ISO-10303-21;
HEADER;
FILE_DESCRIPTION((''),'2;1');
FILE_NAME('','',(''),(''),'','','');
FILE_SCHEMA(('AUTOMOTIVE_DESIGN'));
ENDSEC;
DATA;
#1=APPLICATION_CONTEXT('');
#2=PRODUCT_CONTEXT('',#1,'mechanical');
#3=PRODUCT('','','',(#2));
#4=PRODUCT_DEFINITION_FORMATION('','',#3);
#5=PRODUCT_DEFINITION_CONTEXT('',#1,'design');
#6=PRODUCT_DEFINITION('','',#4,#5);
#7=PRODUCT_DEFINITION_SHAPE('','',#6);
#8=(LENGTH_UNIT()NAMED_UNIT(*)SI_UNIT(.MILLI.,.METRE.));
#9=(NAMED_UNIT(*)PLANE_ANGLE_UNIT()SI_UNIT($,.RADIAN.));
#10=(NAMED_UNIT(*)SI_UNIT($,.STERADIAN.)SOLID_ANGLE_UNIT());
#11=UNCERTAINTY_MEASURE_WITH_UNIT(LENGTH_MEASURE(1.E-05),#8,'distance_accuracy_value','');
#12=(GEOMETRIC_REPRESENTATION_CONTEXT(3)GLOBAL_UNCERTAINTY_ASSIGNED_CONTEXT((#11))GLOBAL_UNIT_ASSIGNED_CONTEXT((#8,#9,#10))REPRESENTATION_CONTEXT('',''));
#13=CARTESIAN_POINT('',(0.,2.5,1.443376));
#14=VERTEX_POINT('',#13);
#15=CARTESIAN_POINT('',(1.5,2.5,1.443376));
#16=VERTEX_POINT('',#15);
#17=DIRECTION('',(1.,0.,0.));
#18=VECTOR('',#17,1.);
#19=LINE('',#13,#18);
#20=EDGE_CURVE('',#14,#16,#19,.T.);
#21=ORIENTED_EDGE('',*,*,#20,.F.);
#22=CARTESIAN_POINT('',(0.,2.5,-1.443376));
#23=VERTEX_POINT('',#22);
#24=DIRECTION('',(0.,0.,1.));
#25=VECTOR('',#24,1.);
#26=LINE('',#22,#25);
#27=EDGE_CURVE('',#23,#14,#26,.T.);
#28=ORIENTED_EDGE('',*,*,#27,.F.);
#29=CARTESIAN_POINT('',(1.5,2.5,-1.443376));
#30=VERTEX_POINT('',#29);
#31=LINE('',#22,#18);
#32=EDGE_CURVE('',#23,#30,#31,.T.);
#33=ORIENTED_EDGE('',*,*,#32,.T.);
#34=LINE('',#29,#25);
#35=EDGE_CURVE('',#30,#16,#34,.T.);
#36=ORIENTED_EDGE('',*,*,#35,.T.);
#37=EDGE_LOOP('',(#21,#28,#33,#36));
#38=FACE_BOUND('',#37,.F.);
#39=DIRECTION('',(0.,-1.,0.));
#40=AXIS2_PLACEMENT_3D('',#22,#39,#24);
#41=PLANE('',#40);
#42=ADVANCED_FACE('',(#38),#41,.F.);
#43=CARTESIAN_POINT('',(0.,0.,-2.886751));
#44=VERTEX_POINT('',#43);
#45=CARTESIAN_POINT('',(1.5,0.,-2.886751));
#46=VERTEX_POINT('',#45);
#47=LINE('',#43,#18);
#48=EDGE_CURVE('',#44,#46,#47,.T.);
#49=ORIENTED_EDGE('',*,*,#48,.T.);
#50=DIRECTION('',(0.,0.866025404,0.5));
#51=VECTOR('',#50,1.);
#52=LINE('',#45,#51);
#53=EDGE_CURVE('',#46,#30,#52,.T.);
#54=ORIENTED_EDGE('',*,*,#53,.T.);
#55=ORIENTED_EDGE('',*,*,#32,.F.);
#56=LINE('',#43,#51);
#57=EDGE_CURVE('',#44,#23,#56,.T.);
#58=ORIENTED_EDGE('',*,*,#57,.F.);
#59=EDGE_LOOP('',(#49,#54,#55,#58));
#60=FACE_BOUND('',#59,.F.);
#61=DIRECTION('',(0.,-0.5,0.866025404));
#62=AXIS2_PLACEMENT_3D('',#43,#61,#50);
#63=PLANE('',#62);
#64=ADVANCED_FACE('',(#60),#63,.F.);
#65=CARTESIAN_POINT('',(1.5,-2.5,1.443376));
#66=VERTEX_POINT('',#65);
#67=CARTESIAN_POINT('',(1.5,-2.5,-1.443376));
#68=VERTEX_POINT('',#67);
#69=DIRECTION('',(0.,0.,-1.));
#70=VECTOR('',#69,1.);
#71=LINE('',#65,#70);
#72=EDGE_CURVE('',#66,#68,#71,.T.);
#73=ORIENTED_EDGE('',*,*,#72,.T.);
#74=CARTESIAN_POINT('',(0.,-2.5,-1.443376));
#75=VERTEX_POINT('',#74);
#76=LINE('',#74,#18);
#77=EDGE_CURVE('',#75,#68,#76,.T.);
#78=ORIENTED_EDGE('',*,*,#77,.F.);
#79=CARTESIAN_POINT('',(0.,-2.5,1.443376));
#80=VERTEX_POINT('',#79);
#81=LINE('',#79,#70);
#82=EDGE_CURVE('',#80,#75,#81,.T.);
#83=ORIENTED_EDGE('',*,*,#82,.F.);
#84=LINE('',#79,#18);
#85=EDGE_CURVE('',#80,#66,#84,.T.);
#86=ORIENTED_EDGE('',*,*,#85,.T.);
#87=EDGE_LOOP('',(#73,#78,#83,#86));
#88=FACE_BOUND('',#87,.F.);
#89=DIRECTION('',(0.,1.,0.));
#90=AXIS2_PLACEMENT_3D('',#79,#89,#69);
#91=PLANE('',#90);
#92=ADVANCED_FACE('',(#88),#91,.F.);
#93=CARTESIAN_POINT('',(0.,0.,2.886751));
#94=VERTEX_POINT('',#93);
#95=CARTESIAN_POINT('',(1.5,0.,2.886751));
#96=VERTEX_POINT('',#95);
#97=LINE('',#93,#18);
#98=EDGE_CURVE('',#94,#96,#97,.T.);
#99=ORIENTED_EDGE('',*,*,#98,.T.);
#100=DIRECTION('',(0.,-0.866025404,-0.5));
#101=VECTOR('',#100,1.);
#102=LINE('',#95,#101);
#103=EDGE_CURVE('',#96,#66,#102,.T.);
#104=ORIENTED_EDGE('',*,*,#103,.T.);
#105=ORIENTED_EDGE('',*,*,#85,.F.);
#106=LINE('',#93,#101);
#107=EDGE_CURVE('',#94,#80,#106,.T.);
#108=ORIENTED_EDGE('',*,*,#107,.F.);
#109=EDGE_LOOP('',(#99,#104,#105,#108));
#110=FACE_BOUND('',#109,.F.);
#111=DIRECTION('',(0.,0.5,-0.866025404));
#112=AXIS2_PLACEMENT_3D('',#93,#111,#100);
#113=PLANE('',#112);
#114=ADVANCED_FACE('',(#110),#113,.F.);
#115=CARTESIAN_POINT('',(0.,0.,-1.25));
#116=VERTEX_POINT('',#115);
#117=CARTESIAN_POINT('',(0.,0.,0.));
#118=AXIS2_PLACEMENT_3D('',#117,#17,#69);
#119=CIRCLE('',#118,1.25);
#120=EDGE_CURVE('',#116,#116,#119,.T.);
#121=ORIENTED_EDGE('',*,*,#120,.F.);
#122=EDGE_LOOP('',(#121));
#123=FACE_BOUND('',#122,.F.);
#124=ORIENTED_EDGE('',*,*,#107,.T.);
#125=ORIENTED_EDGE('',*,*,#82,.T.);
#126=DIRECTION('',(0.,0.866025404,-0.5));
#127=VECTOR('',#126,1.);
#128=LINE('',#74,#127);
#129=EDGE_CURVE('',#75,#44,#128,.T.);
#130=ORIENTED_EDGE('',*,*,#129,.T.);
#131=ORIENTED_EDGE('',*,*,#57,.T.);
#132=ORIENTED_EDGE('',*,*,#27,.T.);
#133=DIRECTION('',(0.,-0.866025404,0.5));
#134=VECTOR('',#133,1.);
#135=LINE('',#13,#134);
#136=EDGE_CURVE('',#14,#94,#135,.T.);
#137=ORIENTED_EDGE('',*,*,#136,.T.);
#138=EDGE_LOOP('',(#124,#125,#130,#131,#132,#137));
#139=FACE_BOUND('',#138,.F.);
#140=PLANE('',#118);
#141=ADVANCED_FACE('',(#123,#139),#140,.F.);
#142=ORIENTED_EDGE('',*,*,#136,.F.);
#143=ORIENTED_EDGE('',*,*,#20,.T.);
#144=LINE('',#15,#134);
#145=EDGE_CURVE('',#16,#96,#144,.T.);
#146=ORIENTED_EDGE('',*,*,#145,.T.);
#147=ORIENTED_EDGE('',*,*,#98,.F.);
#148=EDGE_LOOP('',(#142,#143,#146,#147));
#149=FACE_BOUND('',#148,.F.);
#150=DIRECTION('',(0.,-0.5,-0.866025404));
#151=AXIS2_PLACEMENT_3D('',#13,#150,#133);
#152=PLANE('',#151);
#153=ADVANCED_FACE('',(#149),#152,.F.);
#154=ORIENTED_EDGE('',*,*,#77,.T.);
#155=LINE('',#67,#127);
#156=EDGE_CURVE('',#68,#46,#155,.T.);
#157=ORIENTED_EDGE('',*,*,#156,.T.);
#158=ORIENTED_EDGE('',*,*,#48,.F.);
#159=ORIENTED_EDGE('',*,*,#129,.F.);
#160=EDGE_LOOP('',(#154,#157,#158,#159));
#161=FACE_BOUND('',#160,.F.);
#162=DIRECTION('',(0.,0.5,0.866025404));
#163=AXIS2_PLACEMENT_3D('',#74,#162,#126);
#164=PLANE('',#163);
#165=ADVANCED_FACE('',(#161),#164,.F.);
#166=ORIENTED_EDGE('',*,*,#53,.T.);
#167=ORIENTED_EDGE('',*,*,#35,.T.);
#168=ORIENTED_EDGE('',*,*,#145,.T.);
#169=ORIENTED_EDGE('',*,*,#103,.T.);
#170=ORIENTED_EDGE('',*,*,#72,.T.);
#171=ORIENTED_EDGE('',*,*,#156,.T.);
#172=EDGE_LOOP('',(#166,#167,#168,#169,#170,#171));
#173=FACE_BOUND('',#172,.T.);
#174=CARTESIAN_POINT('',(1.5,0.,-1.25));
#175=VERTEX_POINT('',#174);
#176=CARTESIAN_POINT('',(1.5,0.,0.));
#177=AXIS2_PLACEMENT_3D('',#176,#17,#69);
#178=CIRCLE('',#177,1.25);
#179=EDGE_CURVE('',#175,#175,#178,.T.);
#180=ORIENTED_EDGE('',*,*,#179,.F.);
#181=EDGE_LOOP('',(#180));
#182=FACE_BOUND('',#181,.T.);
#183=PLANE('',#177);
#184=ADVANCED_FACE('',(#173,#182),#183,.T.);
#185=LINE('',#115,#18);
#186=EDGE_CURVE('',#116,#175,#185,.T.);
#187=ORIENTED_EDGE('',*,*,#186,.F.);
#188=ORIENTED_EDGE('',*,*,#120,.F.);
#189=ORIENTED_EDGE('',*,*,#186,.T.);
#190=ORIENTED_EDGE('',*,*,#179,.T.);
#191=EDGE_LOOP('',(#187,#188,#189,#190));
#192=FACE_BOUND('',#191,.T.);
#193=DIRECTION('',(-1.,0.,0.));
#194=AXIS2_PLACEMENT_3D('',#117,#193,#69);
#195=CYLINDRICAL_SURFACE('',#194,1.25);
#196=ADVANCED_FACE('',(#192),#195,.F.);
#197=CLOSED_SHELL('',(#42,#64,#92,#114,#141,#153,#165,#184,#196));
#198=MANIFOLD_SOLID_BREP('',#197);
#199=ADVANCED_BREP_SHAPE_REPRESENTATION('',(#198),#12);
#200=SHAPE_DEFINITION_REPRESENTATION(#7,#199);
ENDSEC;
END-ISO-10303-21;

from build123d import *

# Parameters (mm, degrees)
SKETCH1_R           = 2.5
BOSS_EXTRUDE1_DEPTH = 3
SCALE1_SCALE        = 0.5


with BuildPart() as part:
    # Sketch1 → Boss-Extrude1 (new body)
    with BuildSketch(Plane(origin=(0, 0, 0), x_dir=(0, 0, -1), z_dir=(1, 0, 0))):
        Polygon((5.773502692, 0), (2.886751346, 5), (-2.886751346, 5), (-5.773502692, 0), (-2.886751346, -5), (2.886751346, -5), align=None)
        Circle(SKETCH1_R, mode=Mode.SUBTRACT)
    extrude(amount=BOSS_EXTRUDE1_DEPTH)


with BuildPart() as part_1:
    # Scale1: scaled about (0, 0, 0)
    add(part.part.scale(SCALE1_SCALE))


solid = part_1.part
